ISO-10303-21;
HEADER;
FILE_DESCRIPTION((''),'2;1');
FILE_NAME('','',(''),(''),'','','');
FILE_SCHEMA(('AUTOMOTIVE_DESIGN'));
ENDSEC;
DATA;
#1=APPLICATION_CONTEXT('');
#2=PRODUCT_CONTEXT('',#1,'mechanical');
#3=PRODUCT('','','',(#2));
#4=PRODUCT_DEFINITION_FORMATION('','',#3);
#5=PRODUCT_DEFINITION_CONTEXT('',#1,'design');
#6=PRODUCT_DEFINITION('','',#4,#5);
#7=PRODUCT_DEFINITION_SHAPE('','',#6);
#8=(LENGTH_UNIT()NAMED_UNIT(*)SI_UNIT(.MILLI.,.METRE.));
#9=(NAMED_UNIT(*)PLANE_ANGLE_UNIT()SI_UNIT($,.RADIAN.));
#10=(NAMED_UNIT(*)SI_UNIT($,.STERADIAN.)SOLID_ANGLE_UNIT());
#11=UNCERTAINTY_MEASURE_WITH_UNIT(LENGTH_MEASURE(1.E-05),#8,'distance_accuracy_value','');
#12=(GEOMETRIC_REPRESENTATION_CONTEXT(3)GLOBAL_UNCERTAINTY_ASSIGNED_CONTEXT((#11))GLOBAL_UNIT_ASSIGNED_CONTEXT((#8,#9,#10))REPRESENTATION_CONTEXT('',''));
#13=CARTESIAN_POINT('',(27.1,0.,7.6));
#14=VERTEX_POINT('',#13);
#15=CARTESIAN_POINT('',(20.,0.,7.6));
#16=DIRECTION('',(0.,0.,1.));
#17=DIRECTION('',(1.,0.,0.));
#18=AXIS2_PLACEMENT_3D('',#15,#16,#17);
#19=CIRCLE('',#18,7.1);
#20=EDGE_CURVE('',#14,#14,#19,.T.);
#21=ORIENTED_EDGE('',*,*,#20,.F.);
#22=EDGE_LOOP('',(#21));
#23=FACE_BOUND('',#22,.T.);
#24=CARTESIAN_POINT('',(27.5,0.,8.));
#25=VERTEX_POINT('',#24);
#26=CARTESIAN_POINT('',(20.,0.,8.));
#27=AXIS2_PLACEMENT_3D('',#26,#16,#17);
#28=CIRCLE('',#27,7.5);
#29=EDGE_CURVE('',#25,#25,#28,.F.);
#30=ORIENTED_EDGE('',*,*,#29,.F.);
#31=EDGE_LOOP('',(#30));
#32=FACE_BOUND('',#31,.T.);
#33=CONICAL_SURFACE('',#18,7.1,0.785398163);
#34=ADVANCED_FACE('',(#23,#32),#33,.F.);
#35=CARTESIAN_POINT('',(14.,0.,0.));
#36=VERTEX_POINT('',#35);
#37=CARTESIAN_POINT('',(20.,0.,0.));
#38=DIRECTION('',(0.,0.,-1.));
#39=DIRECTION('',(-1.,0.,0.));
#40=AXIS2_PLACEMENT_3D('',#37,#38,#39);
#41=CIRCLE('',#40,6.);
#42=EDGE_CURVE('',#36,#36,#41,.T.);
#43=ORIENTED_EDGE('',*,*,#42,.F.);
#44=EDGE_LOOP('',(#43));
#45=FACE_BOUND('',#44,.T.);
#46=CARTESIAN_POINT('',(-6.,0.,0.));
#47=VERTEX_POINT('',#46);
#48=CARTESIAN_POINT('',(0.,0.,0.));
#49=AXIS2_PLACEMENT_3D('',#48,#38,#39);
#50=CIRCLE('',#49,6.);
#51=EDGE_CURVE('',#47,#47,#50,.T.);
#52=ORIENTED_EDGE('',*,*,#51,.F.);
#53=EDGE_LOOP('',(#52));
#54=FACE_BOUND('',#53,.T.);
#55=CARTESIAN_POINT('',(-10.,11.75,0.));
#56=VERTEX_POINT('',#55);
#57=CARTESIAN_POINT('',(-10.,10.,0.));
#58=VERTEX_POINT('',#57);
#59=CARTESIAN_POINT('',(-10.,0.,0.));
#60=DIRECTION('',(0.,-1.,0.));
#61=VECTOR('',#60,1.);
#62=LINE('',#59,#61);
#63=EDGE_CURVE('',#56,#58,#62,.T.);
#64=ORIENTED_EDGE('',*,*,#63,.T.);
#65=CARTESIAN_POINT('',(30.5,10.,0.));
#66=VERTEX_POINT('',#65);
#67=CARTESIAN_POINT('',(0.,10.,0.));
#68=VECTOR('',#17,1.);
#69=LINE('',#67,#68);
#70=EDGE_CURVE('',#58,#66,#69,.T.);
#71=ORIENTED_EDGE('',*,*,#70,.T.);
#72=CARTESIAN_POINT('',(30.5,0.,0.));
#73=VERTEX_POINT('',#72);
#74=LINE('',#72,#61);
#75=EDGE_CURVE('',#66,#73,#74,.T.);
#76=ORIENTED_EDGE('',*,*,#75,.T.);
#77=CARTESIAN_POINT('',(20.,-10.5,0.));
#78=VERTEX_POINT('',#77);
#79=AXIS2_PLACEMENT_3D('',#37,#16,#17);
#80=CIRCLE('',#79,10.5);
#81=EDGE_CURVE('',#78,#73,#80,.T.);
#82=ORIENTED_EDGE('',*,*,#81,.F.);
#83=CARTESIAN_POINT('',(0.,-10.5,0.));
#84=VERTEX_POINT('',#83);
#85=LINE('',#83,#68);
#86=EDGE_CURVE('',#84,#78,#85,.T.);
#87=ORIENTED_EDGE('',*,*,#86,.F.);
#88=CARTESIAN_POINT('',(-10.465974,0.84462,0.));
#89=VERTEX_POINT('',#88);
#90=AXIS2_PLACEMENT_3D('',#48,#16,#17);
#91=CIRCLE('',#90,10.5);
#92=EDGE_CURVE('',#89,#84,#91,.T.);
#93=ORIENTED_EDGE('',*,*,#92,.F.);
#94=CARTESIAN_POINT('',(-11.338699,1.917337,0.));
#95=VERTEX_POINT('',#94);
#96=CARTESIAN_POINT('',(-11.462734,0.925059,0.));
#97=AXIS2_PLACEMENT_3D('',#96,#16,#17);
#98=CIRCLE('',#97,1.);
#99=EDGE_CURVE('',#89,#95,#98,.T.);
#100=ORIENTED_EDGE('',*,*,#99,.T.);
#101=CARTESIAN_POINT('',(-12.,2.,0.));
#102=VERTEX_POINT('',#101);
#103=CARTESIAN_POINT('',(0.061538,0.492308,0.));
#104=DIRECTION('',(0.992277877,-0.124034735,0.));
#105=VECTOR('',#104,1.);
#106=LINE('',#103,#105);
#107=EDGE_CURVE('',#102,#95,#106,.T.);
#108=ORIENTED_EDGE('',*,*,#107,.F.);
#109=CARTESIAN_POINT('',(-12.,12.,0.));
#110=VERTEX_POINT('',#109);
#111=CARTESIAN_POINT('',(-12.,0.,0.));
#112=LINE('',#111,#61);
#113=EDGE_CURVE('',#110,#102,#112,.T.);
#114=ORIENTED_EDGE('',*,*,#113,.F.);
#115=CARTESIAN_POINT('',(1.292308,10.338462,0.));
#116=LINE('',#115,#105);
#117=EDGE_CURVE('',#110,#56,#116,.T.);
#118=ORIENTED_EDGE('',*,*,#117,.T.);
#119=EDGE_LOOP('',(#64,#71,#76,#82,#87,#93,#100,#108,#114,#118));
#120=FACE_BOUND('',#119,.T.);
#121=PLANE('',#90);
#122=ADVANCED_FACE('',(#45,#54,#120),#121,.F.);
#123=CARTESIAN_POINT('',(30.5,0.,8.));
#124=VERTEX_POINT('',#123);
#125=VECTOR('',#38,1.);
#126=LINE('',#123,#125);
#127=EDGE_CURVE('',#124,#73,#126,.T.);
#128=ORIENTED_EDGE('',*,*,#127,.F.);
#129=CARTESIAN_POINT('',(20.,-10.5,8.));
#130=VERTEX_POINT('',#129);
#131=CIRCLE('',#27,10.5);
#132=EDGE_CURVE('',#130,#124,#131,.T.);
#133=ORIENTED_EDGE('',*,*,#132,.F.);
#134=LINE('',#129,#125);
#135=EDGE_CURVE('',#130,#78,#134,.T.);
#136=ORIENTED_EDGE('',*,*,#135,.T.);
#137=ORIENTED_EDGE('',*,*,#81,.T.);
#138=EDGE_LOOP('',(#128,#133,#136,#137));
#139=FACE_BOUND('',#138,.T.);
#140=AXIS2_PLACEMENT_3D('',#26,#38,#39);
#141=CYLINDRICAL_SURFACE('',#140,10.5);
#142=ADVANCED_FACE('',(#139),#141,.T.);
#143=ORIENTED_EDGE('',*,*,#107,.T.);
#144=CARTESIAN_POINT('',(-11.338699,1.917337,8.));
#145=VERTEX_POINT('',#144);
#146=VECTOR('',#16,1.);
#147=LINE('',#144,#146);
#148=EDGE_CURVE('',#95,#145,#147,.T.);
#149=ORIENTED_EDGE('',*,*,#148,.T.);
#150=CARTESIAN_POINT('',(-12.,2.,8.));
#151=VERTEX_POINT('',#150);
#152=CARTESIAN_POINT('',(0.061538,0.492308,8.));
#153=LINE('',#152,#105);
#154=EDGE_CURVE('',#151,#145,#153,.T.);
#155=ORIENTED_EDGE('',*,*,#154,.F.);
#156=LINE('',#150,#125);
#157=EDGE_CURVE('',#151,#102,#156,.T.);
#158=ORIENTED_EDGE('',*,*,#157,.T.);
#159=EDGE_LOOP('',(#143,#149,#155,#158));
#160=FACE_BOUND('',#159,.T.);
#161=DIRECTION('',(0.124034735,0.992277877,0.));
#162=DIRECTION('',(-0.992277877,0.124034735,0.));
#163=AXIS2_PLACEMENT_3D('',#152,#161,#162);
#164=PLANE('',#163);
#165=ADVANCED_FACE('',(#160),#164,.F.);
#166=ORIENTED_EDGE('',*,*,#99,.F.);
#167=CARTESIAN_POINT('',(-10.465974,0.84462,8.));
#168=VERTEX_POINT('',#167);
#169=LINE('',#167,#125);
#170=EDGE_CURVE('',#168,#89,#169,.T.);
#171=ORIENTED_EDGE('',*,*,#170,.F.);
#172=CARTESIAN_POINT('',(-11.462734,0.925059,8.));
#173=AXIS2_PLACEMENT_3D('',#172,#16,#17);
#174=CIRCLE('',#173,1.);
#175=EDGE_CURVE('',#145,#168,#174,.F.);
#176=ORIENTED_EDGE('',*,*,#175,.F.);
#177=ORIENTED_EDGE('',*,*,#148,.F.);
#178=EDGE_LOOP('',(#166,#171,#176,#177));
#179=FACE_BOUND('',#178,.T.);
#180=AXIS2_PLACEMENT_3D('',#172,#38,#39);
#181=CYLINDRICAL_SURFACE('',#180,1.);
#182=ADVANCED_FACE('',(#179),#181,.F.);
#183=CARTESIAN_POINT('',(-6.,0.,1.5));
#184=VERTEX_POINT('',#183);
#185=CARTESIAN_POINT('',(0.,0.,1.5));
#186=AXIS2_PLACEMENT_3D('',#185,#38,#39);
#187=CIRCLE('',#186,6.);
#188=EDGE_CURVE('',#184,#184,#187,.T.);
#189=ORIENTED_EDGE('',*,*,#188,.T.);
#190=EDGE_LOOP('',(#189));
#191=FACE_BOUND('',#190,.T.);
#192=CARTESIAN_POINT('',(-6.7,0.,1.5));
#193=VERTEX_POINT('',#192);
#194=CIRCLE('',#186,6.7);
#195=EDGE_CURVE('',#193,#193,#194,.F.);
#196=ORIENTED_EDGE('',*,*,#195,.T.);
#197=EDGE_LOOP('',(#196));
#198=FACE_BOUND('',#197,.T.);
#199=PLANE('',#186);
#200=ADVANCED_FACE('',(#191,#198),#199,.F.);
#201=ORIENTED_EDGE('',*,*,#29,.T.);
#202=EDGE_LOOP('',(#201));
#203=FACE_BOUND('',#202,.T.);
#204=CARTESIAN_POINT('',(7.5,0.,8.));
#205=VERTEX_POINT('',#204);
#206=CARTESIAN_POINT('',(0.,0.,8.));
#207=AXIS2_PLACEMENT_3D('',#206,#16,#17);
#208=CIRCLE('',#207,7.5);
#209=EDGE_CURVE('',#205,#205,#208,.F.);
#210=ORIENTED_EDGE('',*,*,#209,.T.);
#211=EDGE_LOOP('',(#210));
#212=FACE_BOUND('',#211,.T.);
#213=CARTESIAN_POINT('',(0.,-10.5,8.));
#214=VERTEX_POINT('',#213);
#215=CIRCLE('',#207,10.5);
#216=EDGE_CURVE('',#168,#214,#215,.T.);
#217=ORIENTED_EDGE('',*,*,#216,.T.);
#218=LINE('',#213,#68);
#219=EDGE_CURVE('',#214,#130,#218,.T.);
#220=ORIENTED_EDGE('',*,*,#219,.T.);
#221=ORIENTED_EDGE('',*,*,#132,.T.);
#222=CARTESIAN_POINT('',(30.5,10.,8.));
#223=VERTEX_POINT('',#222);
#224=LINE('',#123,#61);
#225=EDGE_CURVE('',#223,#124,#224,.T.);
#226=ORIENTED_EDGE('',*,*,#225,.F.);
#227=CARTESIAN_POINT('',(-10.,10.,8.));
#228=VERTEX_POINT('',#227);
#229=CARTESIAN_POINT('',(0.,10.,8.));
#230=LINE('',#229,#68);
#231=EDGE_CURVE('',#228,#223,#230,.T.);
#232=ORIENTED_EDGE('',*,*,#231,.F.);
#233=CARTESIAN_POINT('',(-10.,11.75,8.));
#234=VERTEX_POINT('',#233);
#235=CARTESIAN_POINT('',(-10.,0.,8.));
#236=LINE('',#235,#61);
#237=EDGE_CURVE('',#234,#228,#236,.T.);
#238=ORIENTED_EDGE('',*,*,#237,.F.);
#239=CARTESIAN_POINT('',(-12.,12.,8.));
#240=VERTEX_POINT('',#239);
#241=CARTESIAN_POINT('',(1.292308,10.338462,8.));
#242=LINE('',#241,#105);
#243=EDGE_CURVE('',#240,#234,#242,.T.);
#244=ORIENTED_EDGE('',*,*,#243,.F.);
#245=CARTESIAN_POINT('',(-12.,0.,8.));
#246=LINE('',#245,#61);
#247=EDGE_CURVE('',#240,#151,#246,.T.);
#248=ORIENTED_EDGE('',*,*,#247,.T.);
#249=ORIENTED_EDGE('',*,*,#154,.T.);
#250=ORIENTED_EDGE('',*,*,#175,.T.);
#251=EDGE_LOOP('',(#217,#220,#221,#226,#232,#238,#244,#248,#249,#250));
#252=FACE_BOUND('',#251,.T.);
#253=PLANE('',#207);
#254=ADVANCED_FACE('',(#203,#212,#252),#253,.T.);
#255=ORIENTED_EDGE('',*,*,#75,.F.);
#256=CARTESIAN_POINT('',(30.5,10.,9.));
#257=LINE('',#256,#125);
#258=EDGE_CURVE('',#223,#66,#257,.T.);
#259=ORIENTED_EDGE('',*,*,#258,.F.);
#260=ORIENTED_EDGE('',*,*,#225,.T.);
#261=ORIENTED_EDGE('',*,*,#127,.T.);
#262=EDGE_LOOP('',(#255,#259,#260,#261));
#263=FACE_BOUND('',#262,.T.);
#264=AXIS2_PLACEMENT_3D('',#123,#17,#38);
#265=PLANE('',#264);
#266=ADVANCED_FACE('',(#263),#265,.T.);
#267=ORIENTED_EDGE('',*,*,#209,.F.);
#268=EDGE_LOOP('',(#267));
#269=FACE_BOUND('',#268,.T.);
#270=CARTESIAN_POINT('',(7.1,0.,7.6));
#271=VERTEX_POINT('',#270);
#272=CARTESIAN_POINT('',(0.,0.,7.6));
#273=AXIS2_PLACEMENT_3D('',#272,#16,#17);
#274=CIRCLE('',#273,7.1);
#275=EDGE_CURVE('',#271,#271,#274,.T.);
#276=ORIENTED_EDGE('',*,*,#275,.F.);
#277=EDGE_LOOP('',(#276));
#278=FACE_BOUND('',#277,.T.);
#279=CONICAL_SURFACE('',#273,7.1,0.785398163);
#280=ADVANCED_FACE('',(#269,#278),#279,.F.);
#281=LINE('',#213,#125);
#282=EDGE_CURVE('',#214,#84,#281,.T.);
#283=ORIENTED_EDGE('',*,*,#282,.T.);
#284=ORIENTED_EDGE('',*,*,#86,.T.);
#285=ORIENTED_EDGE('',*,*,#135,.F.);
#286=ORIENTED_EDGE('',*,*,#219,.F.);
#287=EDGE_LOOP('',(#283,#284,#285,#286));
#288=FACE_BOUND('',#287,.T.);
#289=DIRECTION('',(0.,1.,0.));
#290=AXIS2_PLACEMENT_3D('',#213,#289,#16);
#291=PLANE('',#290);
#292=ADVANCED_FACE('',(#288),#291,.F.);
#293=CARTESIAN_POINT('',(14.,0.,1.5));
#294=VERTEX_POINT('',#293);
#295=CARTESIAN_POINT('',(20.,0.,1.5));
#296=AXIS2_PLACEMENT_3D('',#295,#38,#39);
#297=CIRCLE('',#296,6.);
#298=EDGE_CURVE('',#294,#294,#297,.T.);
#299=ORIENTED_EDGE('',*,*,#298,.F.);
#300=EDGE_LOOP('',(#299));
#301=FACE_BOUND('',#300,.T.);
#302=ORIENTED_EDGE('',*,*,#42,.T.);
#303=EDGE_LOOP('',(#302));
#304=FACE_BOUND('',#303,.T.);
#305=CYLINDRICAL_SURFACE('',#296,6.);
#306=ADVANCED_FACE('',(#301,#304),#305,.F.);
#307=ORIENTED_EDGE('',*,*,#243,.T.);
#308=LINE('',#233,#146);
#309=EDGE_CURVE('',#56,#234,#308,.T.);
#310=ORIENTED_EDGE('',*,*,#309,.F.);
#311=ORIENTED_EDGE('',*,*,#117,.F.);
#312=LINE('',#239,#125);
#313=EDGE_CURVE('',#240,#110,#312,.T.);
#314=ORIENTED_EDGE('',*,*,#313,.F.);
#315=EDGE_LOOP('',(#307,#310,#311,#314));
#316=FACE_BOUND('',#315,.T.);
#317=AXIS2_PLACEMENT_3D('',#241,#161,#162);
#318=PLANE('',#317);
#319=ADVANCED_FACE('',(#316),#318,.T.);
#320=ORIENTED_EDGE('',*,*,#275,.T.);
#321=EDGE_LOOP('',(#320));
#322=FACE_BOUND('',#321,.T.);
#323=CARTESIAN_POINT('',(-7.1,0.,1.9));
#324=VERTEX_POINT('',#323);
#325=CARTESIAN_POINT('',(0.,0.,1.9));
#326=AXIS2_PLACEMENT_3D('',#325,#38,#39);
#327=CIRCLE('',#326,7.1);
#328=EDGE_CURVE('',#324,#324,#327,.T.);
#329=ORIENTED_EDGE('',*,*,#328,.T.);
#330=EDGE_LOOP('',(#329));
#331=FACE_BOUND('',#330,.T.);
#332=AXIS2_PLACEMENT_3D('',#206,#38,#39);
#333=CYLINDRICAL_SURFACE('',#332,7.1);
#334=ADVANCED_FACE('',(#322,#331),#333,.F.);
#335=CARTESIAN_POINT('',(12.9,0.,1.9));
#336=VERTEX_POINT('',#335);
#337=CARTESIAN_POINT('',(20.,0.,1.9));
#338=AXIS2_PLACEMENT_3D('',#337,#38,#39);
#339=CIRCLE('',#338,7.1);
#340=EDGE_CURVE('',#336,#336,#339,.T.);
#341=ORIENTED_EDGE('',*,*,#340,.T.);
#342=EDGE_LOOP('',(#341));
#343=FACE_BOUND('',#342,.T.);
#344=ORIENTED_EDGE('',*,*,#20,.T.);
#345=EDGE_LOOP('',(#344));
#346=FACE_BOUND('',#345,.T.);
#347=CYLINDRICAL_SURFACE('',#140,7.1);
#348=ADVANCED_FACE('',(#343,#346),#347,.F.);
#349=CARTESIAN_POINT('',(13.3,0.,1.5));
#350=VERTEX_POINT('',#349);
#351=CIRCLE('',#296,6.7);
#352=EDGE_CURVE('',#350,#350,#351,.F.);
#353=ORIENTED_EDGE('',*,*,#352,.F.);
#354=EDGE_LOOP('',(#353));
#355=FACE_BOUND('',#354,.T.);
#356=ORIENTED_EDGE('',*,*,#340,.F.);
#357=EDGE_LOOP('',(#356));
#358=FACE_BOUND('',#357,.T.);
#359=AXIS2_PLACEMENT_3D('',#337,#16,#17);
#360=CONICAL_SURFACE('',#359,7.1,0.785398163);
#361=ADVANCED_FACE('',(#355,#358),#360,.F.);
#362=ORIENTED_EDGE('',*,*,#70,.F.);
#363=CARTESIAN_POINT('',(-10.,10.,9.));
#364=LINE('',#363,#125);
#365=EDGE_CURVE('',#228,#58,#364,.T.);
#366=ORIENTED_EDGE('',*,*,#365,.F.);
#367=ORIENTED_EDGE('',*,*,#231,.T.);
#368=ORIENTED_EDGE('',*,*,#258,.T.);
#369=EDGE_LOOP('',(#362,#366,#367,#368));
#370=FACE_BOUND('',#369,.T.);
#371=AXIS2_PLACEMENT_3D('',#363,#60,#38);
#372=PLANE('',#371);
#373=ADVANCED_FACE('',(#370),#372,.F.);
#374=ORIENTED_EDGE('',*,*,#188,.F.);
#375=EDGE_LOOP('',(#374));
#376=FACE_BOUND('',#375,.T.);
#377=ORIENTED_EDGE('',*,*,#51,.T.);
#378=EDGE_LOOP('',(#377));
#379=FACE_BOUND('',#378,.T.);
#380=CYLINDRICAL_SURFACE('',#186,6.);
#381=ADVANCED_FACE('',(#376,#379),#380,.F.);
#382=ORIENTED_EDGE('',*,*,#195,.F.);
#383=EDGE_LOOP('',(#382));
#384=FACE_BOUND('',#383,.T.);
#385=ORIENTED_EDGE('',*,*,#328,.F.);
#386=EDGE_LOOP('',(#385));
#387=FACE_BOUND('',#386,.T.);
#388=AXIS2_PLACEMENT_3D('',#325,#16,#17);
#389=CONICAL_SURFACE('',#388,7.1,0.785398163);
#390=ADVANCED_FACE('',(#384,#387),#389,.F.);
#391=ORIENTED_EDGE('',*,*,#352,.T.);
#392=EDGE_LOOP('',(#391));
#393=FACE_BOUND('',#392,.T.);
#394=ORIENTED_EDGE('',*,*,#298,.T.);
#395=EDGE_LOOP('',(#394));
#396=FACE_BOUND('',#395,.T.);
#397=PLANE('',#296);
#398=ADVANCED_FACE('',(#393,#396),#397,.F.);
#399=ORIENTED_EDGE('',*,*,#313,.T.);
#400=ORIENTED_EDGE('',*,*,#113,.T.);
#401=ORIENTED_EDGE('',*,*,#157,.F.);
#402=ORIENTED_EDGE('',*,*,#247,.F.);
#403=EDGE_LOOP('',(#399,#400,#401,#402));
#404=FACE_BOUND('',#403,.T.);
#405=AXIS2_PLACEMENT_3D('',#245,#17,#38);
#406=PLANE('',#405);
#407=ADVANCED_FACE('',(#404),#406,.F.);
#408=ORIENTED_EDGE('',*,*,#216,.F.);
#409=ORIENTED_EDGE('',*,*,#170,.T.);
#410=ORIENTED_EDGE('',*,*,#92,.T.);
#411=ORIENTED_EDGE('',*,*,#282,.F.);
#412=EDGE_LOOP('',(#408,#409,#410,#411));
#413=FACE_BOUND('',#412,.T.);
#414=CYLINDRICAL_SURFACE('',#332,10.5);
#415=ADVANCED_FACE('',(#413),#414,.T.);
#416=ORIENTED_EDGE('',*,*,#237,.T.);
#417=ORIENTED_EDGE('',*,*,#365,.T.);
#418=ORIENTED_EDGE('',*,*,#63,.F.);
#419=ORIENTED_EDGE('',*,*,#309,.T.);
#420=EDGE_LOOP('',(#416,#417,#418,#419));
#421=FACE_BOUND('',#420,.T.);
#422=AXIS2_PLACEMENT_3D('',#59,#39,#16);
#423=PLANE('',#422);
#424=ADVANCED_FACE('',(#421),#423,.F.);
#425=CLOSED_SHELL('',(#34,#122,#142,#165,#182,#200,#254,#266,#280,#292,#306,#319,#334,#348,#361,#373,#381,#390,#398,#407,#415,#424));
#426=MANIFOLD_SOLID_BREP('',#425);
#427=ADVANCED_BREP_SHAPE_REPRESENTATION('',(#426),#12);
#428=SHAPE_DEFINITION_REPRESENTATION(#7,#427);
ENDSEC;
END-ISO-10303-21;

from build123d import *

# Parameters (mm, degrees)
SKETCH1_R               = 7.1
BOSS_EXTRUDE1_DEPTH     = 8
SKETCH2_R               = 7.1
SKETCH2_R_2             = 6
BOSS_EXTRUDE2_DEPTH     = 1.5
SKETCH3_W               = 10
SKETCH3_H               = 10
CUT_EXTRUDE1_DEPTH      = 31.5
CUT_EXTRUDE1_DEPTH_BACK = 10
FILLET4_R               = 1
CHAMFER1_SIZE           = 0.4


with BuildPart() as part:
    # Sketch1 → Boss-Extrude1 (new body)
    with BuildSketch(Plane.XY):
        with BuildLine():
            Line((-12, 2), (-10.345741649, 1.793217706))
            ThreePointArc((-10.345741649, 1.793217706), (-8.033641326, -6.760961991), (0, -10.5))
            Line((0, -10.5), (20, -10.5))
            ThreePointArc((20, -10.5), (27.424621202, -7.424621202), (30.5, 0))
            Line((30.5, 0), (30.5, 10.5))
            Line((30.5, 10.5), (0, 10.5))
            Line((0, 10.5), (-12, 12))
            Line((-12, 12), (-12, 2))
        make_face()
        with Locations((20, 0)):
            Circle(SKETCH1_R, mode=Mode.SUBTRACT)
        Circle(SKETCH1_R, mode=Mode.SUBTRACT)
    extrude(amount=BOSS_EXTRUDE1_DEPTH)

    # Sketch2 → Boss-Extrude2 (add)
    with BuildSketch(Plane(origin=(0, 0, 0), x_dir=(-1, 0, 0), z_dir=(0, 0, -1))):
        with Locations((-20, 0)):
            Circle(SKETCH2_R)
        with Locations((-20, 0)):
            Circle(SKETCH2_R_2, mode=Mode.SUBTRACT)
        Circle(SKETCH2_R)
        Circle(SKETCH2_R_2, mode=Mode.SUBTRACT)
    extrude(amount=-BOSS_EXTRUDE2_DEPTH)

    # Sketch3 → Cut-Extrude1 (cut, two sides)
    with BuildSketch(Plane(origin=(0, 0, 0), x_dir=(0, 0, -1), z_dir=(1, 0, 0))) as cut_extrude1_sk:
        with Locations((-4, 15)):
            Rectangle(SKETCH3_W, SKETCH3_H)
    extrude(amount=CUT_EXTRUDE1_DEPTH, mode=Mode.SUBTRACT)
    extrude(cut_extrude1_sk.sketch, amount=-CUT_EXTRUDE1_DEPTH_BACK, mode=Mode.SUBTRACT)

    # Fillet4
    fillet4_edges = [part.edges().sort_by_distance(p)[0] for p in [
        (-10.345741649, 1.793217706, 4),
    ]]
    fillet(fillet4_edges, radius=FILLET4_R)

    # Chamfer1
    chamfer1_edges = [part.edges().sort_by_distance(p)[0] for p in [
        (12.9, 0, 1.5),
        (-7.1, 0, 1.5),
        (12.9, 0, 8),
        (-7.1, 0, 8),
    ]]
    chamfer(chamfer1_edges, length=CHAMFER1_SIZE)


solid = part.part
